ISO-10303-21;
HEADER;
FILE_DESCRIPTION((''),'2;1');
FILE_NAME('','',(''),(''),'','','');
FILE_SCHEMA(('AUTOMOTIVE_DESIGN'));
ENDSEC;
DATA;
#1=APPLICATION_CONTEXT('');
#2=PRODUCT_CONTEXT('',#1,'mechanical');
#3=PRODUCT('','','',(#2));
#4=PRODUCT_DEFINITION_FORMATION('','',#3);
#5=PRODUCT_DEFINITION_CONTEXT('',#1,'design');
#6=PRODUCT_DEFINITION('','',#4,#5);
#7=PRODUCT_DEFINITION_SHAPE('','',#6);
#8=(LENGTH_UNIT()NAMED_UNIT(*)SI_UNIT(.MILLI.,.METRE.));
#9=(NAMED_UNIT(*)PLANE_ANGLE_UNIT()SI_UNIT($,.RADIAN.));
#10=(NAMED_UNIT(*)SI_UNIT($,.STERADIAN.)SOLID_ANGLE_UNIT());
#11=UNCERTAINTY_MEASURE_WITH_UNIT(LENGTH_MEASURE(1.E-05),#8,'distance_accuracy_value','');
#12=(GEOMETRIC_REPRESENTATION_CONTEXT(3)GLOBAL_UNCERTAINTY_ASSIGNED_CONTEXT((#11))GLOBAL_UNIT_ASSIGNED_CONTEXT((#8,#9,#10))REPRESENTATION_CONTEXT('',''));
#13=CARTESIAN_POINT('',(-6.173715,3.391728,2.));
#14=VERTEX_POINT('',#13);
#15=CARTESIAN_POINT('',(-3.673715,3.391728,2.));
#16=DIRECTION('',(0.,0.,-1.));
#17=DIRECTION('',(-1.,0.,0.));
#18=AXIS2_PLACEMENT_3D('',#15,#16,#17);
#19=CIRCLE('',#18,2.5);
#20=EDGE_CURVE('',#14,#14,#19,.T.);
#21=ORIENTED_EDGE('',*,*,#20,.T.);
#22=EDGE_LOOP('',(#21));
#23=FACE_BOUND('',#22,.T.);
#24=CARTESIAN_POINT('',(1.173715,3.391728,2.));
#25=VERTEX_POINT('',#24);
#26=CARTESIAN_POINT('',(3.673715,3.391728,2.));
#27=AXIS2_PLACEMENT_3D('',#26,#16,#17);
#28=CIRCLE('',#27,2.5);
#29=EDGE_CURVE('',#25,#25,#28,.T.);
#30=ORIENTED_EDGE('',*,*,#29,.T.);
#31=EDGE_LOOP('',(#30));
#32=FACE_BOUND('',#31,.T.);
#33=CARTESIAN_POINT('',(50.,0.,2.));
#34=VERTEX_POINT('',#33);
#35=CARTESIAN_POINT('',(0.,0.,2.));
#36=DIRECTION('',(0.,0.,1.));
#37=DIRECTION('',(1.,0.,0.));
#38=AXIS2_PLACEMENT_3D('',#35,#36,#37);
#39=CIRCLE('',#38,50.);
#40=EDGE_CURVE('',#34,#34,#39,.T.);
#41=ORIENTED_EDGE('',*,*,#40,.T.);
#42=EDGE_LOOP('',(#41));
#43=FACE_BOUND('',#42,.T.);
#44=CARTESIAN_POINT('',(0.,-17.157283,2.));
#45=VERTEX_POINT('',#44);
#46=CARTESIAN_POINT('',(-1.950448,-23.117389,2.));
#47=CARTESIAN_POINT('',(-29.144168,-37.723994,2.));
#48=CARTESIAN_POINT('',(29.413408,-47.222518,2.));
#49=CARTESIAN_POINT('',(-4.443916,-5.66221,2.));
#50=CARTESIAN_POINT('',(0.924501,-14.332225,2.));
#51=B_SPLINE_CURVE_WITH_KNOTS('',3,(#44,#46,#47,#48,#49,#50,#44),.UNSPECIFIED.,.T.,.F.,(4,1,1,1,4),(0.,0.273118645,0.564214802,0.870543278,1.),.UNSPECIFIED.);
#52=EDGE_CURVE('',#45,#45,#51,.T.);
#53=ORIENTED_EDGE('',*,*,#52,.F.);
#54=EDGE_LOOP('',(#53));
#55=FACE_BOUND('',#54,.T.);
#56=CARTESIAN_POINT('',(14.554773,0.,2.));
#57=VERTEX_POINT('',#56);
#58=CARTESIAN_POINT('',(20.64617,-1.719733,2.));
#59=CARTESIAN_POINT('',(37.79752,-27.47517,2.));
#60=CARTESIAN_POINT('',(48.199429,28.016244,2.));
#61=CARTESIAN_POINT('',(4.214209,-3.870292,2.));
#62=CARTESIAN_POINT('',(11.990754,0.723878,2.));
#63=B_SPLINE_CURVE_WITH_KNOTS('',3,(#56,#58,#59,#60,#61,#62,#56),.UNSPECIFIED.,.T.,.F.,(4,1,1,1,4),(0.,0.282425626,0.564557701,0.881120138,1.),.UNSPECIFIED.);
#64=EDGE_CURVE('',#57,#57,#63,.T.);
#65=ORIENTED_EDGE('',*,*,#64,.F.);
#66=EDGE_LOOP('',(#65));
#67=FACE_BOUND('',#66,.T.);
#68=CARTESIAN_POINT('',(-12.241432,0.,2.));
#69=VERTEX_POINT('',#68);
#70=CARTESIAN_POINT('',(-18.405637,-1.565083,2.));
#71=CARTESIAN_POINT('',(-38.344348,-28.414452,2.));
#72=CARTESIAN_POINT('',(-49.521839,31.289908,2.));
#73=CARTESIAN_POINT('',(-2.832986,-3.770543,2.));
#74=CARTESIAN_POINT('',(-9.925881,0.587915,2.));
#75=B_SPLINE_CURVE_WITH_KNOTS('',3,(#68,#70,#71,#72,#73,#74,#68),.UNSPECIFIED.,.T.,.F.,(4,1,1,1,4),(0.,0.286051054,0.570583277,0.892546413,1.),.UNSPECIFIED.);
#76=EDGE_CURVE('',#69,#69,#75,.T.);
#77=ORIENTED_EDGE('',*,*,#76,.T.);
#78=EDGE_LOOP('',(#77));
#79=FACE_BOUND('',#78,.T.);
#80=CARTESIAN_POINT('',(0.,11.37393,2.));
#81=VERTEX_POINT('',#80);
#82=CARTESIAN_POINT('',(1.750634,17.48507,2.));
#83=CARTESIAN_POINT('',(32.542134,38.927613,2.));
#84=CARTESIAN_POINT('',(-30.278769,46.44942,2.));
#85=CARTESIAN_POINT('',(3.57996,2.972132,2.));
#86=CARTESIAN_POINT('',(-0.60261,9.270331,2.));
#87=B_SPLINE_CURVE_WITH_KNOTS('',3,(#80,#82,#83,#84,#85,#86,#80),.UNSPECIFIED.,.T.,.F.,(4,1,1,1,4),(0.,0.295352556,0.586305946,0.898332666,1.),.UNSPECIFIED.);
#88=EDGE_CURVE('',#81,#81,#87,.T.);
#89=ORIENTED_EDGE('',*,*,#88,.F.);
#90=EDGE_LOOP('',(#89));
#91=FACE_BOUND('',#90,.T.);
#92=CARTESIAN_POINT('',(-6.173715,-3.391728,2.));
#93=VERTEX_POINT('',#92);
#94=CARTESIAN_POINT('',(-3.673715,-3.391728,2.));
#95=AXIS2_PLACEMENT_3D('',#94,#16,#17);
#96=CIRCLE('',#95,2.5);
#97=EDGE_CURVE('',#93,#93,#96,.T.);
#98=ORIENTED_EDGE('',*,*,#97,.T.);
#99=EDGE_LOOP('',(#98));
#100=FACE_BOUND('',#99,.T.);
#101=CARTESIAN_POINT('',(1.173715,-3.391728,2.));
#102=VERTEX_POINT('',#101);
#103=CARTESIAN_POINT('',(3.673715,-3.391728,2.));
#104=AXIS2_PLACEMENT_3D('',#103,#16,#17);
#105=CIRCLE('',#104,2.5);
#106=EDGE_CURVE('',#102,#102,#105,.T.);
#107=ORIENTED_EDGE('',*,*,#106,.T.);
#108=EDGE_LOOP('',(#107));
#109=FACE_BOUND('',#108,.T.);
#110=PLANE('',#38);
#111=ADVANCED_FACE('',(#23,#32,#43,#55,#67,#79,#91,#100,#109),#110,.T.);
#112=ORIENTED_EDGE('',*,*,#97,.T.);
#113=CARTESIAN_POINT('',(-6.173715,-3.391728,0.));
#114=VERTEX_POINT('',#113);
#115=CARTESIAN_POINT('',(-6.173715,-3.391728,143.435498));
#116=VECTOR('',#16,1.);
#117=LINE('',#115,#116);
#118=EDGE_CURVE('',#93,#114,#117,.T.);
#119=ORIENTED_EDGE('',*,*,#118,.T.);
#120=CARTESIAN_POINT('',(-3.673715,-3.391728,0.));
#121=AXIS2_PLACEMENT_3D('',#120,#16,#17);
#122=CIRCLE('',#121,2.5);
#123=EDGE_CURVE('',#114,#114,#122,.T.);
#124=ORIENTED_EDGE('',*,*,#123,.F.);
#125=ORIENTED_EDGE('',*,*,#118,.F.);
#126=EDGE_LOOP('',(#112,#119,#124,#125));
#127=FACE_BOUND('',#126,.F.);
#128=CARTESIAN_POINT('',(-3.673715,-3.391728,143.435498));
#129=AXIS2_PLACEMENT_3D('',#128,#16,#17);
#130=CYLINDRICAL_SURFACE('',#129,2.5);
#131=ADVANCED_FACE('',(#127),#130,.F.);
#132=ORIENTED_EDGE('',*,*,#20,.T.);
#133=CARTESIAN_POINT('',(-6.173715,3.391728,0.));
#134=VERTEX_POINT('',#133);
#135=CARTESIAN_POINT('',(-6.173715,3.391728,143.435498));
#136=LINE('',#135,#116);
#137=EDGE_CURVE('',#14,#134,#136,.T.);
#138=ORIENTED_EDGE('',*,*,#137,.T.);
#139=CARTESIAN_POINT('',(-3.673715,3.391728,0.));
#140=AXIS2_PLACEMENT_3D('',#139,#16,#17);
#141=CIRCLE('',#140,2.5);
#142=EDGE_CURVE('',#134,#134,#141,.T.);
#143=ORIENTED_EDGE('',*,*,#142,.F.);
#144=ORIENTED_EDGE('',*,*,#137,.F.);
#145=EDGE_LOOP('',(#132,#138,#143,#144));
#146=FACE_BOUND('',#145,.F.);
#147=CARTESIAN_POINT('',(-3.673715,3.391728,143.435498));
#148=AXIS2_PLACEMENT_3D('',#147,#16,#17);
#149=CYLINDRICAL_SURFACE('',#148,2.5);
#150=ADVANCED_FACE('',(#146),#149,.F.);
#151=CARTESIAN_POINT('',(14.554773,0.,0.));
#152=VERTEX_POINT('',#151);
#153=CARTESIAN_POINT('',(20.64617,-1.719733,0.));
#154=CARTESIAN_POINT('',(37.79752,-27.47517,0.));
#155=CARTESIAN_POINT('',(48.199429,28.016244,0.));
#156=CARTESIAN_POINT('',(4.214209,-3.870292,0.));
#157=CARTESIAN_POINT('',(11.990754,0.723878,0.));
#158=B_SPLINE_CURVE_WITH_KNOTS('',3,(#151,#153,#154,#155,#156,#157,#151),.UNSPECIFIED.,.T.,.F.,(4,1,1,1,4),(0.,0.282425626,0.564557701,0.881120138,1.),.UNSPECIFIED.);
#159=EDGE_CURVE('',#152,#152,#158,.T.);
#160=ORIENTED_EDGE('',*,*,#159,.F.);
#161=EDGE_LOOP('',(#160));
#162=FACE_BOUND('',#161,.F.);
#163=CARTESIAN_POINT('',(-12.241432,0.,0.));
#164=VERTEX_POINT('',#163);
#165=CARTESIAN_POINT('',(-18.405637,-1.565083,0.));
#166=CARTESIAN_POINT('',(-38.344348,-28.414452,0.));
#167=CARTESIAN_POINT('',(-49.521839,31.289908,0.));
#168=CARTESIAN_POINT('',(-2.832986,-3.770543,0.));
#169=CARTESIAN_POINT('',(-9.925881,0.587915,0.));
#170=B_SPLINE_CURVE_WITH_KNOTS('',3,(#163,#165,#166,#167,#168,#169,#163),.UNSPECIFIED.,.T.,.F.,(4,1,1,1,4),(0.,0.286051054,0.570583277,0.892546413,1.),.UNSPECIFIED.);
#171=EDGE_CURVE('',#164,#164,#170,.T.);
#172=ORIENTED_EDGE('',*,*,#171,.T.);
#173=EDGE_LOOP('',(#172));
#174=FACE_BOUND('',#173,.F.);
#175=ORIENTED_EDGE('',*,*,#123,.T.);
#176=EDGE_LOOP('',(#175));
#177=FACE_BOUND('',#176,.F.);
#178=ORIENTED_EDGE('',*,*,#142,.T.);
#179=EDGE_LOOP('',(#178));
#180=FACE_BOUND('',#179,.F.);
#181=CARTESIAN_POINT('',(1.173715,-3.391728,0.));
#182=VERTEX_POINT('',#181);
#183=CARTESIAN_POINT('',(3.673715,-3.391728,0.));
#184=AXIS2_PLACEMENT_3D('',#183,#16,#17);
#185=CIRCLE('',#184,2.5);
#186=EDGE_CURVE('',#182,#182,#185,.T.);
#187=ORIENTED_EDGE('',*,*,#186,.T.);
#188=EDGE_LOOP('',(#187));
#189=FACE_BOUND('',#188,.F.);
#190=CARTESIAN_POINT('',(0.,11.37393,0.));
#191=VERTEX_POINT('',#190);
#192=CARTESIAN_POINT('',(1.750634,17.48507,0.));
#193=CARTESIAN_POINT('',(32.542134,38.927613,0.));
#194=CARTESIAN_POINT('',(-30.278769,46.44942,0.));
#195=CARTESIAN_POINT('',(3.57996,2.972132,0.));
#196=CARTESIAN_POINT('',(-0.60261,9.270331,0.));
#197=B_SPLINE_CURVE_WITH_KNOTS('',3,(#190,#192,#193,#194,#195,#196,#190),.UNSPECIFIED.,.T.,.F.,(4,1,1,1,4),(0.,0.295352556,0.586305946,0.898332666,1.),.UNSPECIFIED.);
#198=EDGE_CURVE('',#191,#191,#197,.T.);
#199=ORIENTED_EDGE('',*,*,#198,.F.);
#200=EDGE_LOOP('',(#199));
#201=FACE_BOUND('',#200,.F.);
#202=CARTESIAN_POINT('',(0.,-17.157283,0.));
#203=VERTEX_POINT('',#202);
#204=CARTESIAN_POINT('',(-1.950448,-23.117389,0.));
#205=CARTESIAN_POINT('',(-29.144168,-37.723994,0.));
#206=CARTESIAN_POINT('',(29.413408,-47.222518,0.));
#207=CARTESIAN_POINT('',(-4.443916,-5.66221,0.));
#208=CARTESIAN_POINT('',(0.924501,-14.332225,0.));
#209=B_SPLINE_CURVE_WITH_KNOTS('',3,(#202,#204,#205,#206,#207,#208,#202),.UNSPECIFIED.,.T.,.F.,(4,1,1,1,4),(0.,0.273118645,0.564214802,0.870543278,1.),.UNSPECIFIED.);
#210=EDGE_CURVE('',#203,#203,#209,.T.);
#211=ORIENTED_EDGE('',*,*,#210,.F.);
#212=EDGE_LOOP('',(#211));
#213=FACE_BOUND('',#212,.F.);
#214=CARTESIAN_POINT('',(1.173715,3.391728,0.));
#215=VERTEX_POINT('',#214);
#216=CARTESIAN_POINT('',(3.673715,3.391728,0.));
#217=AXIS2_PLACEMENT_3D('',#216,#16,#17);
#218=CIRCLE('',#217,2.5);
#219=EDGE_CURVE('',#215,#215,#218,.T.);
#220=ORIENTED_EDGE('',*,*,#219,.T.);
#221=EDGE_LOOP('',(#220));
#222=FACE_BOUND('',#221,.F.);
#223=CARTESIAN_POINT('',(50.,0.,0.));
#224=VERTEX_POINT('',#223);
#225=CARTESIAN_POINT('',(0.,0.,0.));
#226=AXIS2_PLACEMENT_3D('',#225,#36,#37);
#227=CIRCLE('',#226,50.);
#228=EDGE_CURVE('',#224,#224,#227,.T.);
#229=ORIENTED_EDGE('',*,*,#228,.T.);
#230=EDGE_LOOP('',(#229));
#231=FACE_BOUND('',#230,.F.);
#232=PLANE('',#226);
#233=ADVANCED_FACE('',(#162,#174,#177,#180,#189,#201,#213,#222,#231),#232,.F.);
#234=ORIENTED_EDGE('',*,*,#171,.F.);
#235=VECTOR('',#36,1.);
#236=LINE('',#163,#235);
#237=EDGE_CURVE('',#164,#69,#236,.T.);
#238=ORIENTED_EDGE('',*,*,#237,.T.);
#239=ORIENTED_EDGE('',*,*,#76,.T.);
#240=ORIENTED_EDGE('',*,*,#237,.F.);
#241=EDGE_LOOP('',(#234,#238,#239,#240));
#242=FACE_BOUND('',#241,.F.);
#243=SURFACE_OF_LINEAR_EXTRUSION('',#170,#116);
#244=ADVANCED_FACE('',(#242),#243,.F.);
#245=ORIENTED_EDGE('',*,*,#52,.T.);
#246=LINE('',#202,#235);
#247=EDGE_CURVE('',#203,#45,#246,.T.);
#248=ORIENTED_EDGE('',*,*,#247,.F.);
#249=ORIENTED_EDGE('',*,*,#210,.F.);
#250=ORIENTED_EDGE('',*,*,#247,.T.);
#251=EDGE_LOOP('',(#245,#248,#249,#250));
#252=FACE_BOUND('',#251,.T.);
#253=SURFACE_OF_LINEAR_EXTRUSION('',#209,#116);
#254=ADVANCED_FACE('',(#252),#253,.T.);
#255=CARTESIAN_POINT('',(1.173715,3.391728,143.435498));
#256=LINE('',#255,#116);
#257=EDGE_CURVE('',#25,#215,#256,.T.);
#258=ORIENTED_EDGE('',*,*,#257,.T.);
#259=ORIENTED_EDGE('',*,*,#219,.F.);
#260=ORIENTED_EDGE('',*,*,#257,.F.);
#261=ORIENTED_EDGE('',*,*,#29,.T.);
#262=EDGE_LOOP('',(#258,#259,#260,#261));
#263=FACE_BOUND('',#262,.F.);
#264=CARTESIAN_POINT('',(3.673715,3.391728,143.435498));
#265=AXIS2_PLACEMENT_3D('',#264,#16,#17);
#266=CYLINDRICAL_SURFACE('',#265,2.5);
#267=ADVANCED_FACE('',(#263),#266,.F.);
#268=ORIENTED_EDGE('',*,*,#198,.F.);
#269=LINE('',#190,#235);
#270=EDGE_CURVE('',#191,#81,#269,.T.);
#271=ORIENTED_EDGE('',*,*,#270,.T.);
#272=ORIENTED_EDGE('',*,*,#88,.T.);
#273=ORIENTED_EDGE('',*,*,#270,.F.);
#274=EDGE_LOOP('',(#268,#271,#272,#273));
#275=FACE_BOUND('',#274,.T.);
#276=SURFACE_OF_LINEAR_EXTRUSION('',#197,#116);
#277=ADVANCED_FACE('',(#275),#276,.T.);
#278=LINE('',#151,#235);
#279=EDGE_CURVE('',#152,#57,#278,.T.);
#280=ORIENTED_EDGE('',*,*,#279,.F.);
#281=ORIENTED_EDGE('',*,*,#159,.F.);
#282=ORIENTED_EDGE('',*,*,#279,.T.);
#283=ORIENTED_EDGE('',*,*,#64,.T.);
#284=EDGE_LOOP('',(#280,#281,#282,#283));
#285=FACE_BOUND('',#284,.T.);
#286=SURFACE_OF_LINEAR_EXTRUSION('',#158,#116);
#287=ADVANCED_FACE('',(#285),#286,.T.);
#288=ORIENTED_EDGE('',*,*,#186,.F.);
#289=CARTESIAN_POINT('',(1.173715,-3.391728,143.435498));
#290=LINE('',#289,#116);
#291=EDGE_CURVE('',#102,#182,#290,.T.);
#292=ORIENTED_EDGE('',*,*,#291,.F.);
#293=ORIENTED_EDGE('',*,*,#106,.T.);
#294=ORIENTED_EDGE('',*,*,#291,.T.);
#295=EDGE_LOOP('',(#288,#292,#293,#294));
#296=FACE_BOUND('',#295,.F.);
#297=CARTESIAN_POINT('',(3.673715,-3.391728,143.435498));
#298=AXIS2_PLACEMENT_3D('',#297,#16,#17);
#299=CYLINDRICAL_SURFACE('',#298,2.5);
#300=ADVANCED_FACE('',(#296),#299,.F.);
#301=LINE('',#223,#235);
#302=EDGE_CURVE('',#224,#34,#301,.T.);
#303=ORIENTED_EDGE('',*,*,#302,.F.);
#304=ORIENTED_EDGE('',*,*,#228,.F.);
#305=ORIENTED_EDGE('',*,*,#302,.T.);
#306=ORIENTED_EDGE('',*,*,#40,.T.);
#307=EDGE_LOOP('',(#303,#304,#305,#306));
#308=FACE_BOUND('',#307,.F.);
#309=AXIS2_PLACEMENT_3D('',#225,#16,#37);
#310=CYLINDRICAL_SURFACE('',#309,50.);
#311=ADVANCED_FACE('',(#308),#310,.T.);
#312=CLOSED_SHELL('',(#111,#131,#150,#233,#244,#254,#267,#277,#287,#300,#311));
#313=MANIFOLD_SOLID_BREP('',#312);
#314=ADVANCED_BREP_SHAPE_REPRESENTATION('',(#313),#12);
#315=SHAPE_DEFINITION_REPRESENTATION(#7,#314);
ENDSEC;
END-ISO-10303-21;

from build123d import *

# Parameters (mm, degrees)
F0_R     = 50
F1_DEPTH = 2
F3_D     = 5
F5_DEPTH = 2
F6_DEPTH = 2


with BuildPart() as f1:
    # F0 (on Top) → F1 (new body)
    with BuildSketch(Plane.XY):
        Circle(F0_R)
    extrude(amount=F1_DEPTH)

    # F3 (through all)
    with Locations(Plane.XY.offset(2)):
        with Locations((3.6737150516, -3.3917278369), (3.6737150516, 3.3917278369), (-3.6737150516, 3.3917278369), (-3.6737150516, -3.3917278369)):
            Hole(F3_D / 2)

    # F4 (on face) → F5 (cut)
    with BuildSketch(Plane(origin=(0, 0, 0), x_dir=(1, 0, 0), z_dir=(0, 0, -1))):
        with BuildLine():
            add(Edge.make_bspline(
                [(-12.2414324433, 0), (-18.4056373658, 1.5650833739), (-38.3443477555, 28.4144518094), (-49.5218394848, -31.2899076627), (-2.8329855538, 3.7705432238), (-9.9258810126, -0.5879154069), (-12.2414324433, 0)],
                knots=[0, 0, 0, 0, 0.2860510544, 0.5705832769, 0.8925464133, 1, 1, 1, 1], degree=3))
        make_face()
    extrude(amount=-F5_DEPTH, mode=Mode.SUBTRACT)

    # F4 (on face) → F6 (cut)
    with BuildSketch(Plane(origin=(0, 0, 0), x_dir=(1, 0, 0), z_dir=(0, 0, -1))):
        with BuildLine():
            add(Edge.make_bspline(
                [(0, 17.1572826803), (-1.9504478032, 23.1173887703), (-29.1441676817, 37.7239940538), (29.4134081036, 47.2225176343), (-4.4439160706, 5.6622095776), (0.9245014358, 14.3322254659), (0, 17.1572826803)],
                knots=[0, 0, 0, 0, 0.273118645, 0.5642148024, 0.8705432778, 1, 1, 1, 1], degree=3))
        make_face()
        with BuildLine():
            add(Edge.make_bspline(
                [(14.554772526, 0), (20.6461698694, 1.7197331533), (37.7975195879, 27.4751700415), (48.199428819, -28.0162444096), (4.2142088502, 3.8702916762), (11.9907542208, -0.7238777963), (14.554772526, 0)],
                knots=[0, 0, 0, 0, 0.2824256264, 0.5645577012, 0.8811201379, 1, 1, 1, 1], degree=3))
        make_face()
        with BuildLine():
            add(Edge.make_bspline(
                [(0, -11.3739296794), (1.7506338442, -17.4850699026), (32.5421339999, -38.9276133094), (-30.2787687975, -46.4494204681), (3.5799595659, -2.9721319816), (-0.6026095679, -9.2703306993), (0, -11.3739296794)],
                knots=[0, 0, 0, 0, 0.2953525562, 0.5863059459, 0.8983326657, 1, 1, 1, 1], degree=3))
        make_face()
    extrude(amount=-F6_DEPTH, mode=Mode.SUBTRACT)


solid = f1.part
